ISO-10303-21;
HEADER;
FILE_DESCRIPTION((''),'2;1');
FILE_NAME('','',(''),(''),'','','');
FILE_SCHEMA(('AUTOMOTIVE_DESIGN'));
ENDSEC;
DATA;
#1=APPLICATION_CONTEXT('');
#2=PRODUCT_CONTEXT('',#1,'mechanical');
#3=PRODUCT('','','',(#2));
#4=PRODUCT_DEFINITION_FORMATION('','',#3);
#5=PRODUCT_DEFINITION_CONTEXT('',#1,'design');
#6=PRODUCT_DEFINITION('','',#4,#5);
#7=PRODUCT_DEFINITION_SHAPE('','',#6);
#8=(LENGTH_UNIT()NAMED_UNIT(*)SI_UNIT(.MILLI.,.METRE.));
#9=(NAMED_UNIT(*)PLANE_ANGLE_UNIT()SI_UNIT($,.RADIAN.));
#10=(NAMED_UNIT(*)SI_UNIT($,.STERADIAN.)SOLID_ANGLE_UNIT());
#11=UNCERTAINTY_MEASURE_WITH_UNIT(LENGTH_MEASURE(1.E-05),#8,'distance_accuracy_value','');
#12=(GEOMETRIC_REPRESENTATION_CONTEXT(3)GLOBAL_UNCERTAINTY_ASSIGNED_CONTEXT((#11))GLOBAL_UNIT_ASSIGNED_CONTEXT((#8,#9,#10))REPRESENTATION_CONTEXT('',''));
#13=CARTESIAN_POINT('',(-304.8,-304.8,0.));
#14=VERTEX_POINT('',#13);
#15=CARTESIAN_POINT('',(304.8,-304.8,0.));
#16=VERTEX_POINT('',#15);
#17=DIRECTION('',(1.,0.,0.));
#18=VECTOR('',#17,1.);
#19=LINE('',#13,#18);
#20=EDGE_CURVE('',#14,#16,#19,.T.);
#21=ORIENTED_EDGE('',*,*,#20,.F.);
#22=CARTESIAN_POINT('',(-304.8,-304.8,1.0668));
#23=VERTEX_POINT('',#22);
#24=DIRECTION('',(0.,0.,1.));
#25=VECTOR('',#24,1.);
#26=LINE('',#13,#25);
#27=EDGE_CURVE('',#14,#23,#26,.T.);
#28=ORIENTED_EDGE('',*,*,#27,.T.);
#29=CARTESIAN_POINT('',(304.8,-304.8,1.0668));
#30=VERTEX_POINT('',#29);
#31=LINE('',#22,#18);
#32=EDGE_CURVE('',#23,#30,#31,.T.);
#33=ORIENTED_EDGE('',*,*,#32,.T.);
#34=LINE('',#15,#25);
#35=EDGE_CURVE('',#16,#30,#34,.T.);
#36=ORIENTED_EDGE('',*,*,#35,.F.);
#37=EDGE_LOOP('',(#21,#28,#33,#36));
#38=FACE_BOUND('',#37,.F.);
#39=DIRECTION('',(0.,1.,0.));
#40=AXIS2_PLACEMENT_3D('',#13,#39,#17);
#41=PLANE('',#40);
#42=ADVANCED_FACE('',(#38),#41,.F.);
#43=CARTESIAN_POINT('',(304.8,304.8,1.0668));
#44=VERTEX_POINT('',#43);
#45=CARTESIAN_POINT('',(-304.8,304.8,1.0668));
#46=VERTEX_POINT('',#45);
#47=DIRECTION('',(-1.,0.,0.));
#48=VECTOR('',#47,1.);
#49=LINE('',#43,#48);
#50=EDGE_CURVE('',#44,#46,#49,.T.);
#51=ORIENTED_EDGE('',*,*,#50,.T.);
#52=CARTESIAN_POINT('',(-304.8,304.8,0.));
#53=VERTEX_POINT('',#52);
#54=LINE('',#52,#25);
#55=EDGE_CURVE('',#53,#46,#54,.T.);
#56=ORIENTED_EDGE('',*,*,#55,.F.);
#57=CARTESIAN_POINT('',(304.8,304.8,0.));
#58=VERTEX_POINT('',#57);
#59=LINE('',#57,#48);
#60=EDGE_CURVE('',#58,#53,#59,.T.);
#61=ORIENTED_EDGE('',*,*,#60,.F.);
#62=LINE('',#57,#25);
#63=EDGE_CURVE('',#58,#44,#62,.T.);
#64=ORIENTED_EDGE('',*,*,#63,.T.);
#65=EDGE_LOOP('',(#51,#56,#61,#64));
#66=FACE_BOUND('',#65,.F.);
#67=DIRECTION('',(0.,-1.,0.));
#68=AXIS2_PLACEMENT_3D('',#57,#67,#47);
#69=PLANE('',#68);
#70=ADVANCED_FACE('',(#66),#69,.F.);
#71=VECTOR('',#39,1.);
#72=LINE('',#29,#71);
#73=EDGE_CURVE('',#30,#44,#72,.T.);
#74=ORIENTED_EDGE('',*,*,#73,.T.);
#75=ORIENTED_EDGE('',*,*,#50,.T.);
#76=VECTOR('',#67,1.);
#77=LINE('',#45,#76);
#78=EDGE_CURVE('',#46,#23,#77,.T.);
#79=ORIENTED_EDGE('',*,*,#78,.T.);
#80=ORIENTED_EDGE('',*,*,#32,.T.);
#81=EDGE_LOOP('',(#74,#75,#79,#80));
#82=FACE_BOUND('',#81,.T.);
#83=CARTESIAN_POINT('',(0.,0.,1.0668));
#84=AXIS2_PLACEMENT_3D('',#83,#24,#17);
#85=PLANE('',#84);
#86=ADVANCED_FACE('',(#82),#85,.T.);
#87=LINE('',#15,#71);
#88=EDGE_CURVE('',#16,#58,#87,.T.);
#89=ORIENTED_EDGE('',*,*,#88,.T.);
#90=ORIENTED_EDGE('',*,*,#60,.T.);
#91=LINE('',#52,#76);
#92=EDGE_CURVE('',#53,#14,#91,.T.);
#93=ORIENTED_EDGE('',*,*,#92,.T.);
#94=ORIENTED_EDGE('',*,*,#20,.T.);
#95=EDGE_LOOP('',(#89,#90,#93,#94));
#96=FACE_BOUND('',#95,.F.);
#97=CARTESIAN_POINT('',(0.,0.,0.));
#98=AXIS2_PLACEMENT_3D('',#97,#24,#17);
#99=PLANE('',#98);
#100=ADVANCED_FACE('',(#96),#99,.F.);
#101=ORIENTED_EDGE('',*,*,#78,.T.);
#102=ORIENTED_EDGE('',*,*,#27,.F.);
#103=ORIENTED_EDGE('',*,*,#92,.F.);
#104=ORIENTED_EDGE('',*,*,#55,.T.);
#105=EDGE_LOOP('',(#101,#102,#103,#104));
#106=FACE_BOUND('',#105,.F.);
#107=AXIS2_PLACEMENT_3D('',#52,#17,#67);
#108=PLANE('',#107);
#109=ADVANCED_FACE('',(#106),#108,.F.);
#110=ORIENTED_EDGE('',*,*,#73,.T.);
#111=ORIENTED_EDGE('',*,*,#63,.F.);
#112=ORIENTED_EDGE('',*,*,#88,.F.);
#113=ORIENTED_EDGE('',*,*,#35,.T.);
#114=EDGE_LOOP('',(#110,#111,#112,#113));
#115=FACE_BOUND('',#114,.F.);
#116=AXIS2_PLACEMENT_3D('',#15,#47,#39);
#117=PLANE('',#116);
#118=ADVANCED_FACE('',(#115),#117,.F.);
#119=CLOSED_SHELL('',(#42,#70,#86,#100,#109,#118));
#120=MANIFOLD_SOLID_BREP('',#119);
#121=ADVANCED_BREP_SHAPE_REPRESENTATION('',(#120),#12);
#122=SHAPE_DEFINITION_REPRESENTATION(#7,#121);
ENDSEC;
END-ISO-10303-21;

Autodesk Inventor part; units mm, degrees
ref_plane "YZ Plane" through (0, 0, 0) normal (1, 0, 0) x (0, 1, 0)
ref_plane "XZ Plane" through (0, 0, 0) normal (0, 1, 0) x (-1, 0, 0)
ref_plane "XY Plane" through (0, 0, 0) normal (0, 0, 1) x (1, 0, 0)
sketch "Sketch1" plane through (0, 0, 0) normal (0, 0, 1) x (1, 0, 0)
  line L0 (-304.8, -304.8) -> (304.8, -304.8)
  line L1 (304.8, -304.8) -> (304.8, 304.8)
  line L2 (304.8, 304.8) -> (-304.8, 304.8)
  line L3 (-304.8, 304.8) -> (-304.8, -304.8)
  line L4 (-304.8, -304.8) -> (304.8, 304.8) construction
  line L5 (304.8, -304.8) -> (-304.8, 304.8) construction
  point P0 (0, 0)
  dimension "d0" = 609.6
  dimension "d1" = 609.6
extrude "Extrusion1" add sketch "Sketch1" along normal blind 1.0668
properties part number "2221_Copper Box Side_V1" material "Copper"
